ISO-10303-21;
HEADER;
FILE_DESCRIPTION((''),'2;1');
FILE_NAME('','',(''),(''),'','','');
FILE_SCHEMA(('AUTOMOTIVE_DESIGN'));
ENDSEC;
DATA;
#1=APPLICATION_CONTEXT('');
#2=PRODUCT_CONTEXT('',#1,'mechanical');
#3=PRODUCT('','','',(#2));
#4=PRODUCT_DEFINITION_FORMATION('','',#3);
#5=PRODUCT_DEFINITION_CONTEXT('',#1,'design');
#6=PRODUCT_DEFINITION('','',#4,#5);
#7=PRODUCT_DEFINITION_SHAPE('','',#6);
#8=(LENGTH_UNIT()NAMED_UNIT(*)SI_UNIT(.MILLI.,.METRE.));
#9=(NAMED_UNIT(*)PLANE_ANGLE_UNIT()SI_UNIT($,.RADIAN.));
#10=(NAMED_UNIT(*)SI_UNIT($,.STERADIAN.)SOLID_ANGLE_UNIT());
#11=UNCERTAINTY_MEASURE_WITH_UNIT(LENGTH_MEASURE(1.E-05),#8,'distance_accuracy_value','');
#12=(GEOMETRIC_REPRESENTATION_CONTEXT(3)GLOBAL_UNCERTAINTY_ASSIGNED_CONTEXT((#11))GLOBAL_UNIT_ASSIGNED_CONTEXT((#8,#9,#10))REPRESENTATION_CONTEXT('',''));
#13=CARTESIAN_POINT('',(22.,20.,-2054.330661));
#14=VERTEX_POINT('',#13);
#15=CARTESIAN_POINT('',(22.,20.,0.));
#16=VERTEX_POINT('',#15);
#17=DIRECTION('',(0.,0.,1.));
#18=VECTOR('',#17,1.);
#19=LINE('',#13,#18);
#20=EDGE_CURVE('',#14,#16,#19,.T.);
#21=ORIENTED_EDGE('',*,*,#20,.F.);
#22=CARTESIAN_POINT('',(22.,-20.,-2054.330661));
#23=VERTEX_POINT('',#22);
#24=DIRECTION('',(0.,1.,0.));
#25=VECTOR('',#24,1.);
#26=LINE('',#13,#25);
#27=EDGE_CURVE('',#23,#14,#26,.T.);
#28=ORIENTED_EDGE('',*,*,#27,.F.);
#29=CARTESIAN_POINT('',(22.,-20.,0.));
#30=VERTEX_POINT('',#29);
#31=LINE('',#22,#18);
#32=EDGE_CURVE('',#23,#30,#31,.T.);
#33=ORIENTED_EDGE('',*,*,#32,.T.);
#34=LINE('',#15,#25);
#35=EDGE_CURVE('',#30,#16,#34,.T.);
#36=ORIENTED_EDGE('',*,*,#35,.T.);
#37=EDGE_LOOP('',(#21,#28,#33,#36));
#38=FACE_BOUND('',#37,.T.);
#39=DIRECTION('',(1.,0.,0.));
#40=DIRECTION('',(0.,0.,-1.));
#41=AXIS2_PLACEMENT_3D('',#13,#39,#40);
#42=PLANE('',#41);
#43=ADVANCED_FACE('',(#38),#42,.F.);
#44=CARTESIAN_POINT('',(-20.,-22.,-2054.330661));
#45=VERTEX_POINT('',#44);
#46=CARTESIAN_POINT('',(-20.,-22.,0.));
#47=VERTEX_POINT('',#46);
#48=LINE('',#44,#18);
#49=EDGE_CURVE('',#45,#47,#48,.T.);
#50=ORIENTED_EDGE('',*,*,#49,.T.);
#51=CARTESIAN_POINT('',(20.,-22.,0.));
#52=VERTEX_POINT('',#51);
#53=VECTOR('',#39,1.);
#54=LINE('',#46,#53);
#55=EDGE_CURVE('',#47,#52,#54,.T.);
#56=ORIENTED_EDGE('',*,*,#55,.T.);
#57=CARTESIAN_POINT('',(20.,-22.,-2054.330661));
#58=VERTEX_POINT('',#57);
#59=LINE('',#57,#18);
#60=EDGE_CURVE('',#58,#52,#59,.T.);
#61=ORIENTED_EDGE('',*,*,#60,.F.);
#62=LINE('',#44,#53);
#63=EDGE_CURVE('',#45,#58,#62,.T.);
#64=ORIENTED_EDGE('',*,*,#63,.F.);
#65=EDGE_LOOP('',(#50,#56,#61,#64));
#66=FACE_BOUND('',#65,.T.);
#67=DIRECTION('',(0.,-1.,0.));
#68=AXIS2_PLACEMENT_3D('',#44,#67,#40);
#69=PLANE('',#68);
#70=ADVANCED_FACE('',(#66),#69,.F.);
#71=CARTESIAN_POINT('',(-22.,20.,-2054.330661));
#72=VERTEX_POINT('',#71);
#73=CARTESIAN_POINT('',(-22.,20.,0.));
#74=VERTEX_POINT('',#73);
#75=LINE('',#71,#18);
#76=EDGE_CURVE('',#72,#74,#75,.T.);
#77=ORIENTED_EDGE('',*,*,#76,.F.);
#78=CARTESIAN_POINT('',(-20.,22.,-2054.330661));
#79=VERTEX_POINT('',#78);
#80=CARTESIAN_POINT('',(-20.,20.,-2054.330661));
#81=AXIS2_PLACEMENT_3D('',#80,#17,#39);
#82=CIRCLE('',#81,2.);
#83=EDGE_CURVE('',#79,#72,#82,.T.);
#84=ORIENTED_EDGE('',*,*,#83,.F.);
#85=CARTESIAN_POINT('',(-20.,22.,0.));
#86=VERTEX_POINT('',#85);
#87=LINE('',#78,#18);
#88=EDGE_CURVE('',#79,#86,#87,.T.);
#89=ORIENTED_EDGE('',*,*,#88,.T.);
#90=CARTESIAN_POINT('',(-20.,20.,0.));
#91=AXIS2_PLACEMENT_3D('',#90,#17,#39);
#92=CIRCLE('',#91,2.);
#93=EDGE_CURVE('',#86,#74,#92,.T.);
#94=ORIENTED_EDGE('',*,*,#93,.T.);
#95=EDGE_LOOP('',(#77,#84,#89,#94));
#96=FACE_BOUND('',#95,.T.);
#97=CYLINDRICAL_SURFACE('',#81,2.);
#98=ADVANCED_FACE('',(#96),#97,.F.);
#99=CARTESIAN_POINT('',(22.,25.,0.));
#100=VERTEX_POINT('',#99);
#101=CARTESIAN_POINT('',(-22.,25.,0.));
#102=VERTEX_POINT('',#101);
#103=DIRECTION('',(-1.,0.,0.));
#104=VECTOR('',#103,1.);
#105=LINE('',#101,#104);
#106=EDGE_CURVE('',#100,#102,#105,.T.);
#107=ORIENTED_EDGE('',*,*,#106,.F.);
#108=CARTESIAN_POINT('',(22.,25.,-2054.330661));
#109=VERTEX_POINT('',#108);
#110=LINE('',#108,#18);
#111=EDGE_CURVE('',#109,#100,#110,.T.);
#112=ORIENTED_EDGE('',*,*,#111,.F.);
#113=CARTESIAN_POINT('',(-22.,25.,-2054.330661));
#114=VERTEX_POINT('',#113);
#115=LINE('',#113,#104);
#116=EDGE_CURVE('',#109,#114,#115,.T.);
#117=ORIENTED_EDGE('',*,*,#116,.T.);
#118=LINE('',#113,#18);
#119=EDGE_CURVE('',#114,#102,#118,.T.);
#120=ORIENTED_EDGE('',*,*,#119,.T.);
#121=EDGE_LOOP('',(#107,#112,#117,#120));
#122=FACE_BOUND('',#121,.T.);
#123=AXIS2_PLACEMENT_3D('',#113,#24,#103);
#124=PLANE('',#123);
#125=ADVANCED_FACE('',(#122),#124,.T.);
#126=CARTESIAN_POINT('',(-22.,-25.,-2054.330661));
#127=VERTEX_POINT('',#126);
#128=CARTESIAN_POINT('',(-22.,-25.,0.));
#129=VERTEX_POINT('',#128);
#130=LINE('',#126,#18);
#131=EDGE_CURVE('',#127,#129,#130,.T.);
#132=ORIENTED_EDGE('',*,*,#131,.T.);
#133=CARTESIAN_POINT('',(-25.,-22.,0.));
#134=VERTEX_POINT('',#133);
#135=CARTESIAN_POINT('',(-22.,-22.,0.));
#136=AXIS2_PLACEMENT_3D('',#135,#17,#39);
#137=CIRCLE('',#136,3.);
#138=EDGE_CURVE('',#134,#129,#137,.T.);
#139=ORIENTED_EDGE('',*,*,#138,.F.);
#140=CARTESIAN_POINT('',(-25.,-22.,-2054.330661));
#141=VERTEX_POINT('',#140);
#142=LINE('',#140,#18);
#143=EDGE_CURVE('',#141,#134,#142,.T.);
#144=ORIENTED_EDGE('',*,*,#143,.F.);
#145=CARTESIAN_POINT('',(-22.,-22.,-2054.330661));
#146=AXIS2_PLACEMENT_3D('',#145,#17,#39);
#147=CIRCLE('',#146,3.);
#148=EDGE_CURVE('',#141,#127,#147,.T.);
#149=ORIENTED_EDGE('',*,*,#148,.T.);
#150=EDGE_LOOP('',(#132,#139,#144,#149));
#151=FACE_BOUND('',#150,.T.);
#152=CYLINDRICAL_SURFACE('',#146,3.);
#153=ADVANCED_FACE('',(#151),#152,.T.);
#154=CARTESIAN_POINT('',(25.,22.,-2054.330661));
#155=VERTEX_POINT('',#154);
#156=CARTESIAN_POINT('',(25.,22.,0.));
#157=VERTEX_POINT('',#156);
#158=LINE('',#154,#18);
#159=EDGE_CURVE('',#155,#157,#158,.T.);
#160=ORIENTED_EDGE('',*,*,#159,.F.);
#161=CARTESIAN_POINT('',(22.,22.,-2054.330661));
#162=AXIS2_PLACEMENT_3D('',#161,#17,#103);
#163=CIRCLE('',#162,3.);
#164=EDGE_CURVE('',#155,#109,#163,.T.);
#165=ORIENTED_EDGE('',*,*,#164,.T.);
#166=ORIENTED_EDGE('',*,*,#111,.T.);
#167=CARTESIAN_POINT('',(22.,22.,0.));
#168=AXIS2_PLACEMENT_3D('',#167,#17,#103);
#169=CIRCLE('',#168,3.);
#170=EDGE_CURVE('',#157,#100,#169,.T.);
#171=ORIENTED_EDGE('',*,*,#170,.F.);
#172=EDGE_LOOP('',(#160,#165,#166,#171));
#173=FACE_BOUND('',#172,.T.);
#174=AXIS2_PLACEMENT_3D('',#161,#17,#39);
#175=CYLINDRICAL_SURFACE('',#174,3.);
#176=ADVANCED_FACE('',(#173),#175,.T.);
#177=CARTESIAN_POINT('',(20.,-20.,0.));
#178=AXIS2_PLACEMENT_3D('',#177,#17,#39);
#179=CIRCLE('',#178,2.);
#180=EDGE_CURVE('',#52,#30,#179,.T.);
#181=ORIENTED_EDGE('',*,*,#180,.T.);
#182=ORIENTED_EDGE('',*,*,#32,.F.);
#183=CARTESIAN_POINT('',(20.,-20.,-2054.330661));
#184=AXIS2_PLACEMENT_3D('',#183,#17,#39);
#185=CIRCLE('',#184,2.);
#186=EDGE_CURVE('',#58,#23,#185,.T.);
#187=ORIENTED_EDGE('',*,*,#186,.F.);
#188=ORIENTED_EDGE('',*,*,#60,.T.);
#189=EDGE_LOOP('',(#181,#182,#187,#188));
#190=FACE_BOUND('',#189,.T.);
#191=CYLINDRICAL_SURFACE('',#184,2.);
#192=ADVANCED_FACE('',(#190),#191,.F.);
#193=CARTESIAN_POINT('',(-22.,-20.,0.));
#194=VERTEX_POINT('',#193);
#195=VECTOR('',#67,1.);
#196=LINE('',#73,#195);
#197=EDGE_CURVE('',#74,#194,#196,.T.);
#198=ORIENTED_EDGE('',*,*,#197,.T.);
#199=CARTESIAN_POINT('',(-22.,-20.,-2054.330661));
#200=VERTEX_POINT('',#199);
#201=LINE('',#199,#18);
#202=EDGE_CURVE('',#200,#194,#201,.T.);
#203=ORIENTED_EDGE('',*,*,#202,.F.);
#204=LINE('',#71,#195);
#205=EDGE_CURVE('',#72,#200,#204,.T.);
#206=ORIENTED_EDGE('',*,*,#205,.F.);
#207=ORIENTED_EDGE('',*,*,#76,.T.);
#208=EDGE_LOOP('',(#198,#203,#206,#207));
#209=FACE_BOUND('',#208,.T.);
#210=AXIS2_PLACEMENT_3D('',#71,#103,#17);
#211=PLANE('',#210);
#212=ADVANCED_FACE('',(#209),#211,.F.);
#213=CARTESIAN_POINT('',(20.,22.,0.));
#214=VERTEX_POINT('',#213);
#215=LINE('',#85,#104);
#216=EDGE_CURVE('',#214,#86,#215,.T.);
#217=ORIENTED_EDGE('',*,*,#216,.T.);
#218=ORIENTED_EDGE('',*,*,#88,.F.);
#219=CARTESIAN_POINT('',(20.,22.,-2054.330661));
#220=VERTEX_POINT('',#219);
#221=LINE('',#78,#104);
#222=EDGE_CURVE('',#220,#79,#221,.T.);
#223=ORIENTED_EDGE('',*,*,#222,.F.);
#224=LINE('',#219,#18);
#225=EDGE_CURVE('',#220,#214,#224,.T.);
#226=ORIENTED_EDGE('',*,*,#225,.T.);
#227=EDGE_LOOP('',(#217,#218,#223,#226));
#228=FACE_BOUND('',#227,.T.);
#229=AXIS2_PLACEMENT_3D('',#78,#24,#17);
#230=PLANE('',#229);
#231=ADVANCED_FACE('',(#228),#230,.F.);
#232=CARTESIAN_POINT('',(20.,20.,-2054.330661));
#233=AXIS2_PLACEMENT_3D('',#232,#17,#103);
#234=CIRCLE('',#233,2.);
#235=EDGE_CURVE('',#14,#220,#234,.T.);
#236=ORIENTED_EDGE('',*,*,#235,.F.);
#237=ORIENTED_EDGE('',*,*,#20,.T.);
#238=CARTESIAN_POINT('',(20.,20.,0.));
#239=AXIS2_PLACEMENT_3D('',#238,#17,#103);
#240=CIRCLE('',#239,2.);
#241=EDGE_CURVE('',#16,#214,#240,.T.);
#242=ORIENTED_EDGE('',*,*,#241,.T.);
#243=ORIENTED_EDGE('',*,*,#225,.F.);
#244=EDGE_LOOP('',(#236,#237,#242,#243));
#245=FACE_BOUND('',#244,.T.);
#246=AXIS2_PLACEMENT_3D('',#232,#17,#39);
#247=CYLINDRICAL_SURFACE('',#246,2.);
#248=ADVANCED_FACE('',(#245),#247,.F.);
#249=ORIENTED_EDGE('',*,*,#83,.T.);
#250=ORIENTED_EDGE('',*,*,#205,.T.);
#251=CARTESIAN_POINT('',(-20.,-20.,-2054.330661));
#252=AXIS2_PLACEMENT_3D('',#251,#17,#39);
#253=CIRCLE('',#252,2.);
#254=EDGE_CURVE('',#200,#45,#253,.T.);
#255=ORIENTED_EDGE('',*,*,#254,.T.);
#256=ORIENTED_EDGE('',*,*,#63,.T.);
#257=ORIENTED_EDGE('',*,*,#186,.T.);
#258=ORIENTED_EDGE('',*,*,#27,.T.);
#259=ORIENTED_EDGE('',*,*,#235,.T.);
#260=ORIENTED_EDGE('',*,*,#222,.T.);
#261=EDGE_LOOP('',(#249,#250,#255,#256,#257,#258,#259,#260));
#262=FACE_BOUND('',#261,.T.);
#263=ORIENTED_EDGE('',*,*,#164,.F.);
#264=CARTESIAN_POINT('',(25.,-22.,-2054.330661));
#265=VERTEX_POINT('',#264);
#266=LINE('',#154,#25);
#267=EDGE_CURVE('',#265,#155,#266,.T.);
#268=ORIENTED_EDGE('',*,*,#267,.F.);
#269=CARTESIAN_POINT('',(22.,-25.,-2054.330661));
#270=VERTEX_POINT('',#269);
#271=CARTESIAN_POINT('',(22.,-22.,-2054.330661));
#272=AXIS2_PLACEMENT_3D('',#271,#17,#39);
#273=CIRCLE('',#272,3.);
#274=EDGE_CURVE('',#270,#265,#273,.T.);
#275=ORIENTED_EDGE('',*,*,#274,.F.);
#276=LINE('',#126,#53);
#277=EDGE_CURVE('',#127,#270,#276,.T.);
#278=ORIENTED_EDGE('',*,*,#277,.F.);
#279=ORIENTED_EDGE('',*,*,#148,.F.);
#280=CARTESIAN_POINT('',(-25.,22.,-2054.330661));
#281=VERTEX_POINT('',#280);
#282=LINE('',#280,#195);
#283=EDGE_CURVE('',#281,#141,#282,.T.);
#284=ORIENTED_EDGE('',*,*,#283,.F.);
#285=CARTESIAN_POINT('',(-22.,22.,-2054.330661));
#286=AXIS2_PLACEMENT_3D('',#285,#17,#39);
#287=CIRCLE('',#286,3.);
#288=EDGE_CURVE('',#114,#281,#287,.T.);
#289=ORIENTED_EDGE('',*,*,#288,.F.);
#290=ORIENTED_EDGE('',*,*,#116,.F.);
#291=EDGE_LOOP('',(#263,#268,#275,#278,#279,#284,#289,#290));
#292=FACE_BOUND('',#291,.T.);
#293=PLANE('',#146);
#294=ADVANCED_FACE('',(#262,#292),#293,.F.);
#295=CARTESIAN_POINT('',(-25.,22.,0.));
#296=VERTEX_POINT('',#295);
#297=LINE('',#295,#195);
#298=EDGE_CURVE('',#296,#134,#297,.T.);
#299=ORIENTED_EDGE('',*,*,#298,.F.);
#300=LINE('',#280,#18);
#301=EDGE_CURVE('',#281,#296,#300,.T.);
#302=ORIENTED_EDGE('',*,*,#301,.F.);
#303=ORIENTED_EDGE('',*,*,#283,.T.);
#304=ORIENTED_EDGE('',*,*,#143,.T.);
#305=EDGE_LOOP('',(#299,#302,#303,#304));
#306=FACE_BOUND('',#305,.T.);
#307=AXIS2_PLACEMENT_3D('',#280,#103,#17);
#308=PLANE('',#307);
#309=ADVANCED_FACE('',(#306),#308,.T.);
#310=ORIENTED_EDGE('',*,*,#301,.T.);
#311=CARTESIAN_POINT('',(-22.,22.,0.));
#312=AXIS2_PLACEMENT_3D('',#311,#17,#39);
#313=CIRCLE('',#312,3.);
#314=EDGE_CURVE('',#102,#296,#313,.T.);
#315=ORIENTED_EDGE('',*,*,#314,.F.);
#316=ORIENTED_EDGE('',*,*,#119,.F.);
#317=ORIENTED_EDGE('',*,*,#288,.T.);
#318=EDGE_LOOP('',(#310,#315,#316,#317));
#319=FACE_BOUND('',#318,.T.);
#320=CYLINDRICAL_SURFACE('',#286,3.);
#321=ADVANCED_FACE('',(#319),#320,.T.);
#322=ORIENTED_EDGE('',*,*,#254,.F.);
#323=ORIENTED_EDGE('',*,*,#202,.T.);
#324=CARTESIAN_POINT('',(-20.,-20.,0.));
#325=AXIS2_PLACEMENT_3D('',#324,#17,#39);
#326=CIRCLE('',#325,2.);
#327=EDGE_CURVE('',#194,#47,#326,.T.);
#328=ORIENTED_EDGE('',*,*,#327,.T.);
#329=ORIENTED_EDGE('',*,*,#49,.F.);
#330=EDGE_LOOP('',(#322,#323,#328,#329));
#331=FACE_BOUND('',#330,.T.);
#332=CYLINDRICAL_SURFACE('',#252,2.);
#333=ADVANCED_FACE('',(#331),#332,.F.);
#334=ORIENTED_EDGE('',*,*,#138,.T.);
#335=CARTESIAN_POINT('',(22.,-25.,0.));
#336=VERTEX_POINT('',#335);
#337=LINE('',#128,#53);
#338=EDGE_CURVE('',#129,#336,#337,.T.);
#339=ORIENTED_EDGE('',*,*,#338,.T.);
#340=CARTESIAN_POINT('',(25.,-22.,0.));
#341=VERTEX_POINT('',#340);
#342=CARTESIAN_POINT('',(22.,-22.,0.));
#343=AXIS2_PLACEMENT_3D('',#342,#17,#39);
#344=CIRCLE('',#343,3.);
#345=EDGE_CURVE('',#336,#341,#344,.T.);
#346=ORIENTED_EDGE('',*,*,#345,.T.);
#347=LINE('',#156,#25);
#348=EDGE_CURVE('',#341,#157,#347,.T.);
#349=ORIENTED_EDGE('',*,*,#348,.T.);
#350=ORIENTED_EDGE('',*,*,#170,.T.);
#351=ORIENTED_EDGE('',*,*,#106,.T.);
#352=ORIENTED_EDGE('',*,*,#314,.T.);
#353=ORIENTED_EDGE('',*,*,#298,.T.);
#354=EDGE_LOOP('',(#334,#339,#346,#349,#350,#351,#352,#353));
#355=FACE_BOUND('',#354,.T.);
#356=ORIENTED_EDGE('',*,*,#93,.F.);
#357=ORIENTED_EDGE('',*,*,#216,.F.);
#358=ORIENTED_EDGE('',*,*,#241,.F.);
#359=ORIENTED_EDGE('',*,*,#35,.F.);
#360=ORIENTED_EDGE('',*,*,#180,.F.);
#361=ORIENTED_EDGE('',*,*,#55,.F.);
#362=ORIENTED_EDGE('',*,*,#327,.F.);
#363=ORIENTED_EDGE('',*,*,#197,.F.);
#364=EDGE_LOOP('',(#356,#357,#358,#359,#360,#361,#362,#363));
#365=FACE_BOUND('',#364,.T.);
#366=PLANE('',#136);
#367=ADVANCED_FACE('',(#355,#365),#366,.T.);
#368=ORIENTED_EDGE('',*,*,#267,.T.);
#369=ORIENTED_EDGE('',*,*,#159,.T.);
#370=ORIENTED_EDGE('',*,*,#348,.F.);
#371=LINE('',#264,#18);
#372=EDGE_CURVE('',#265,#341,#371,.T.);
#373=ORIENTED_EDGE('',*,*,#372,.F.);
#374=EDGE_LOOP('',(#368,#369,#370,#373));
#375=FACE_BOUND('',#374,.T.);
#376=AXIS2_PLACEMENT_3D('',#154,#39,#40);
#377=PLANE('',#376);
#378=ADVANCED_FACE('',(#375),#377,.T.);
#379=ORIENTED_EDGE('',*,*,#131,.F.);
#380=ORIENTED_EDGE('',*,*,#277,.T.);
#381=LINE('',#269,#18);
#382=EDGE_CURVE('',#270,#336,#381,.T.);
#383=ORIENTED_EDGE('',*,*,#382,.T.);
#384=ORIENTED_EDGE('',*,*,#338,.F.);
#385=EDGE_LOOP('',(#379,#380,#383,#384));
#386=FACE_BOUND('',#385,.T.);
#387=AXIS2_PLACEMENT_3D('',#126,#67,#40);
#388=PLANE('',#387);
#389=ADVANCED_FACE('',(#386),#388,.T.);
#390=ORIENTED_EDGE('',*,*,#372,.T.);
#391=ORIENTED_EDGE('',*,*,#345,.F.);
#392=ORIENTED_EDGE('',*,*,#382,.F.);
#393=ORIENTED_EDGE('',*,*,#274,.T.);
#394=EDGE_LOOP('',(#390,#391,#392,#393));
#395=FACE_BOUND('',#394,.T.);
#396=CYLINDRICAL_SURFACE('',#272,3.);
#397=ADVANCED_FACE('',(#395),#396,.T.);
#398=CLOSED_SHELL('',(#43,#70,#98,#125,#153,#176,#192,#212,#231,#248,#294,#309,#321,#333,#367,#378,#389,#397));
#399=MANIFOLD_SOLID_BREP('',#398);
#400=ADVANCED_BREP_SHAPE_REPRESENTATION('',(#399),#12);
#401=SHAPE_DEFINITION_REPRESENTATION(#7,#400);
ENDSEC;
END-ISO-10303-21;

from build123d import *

# Parameters (mm, degrees)
EXTRUDE_1_DEPTH = 2054.330661


with BuildPart() as part:
    # Эскиз1 → Бобышка-Вытянуть1 (new body)
    with BuildSketch(Plane.XY):
        with BuildLine():
            Line((-22, 25), (22, 25))
            ThreePointArc((22, 25), (24.121320344, 24.121320344), (25, 22))
            Line((25, 22), (25, -22))
            ThreePointArc((25, -22), (24.121320344, -24.121320344), (22, -25))
            Line((22, -25), (-22, -25))
            ThreePointArc((-22, -25), (-24.121320344, -24.121320344), (-25, -22))
            Line((-25, -22), (-25, 22))
            ThreePointArc((-25, 22), (-24.121320344, 24.121320344), (-22, 25))
        make_face()
        with BuildLine():
            Line((-20, 22), (20, 22))
            ThreePointArc((20, 22), (21.414213562, 21.414213562), (22, 20))
            Line((22, 20), (22, -20))
            ThreePointArc((22, -20), (21.414213562, -21.414213562), (20, -22))
            Line((20, -22), (-20, -22))
            ThreePointArc((-20, -22), (-21.414213562, -21.414213562), (-22, -20))
            Line((-22, -20), (-22, 20))
            ThreePointArc((-22, 20), (-21.414213562, 21.414213562), (-20, 22))
        make_face(mode=Mode.SUBTRACT)
    extrude(amount=-EXTRUDE_1_DEPTH)


solid = part.part
